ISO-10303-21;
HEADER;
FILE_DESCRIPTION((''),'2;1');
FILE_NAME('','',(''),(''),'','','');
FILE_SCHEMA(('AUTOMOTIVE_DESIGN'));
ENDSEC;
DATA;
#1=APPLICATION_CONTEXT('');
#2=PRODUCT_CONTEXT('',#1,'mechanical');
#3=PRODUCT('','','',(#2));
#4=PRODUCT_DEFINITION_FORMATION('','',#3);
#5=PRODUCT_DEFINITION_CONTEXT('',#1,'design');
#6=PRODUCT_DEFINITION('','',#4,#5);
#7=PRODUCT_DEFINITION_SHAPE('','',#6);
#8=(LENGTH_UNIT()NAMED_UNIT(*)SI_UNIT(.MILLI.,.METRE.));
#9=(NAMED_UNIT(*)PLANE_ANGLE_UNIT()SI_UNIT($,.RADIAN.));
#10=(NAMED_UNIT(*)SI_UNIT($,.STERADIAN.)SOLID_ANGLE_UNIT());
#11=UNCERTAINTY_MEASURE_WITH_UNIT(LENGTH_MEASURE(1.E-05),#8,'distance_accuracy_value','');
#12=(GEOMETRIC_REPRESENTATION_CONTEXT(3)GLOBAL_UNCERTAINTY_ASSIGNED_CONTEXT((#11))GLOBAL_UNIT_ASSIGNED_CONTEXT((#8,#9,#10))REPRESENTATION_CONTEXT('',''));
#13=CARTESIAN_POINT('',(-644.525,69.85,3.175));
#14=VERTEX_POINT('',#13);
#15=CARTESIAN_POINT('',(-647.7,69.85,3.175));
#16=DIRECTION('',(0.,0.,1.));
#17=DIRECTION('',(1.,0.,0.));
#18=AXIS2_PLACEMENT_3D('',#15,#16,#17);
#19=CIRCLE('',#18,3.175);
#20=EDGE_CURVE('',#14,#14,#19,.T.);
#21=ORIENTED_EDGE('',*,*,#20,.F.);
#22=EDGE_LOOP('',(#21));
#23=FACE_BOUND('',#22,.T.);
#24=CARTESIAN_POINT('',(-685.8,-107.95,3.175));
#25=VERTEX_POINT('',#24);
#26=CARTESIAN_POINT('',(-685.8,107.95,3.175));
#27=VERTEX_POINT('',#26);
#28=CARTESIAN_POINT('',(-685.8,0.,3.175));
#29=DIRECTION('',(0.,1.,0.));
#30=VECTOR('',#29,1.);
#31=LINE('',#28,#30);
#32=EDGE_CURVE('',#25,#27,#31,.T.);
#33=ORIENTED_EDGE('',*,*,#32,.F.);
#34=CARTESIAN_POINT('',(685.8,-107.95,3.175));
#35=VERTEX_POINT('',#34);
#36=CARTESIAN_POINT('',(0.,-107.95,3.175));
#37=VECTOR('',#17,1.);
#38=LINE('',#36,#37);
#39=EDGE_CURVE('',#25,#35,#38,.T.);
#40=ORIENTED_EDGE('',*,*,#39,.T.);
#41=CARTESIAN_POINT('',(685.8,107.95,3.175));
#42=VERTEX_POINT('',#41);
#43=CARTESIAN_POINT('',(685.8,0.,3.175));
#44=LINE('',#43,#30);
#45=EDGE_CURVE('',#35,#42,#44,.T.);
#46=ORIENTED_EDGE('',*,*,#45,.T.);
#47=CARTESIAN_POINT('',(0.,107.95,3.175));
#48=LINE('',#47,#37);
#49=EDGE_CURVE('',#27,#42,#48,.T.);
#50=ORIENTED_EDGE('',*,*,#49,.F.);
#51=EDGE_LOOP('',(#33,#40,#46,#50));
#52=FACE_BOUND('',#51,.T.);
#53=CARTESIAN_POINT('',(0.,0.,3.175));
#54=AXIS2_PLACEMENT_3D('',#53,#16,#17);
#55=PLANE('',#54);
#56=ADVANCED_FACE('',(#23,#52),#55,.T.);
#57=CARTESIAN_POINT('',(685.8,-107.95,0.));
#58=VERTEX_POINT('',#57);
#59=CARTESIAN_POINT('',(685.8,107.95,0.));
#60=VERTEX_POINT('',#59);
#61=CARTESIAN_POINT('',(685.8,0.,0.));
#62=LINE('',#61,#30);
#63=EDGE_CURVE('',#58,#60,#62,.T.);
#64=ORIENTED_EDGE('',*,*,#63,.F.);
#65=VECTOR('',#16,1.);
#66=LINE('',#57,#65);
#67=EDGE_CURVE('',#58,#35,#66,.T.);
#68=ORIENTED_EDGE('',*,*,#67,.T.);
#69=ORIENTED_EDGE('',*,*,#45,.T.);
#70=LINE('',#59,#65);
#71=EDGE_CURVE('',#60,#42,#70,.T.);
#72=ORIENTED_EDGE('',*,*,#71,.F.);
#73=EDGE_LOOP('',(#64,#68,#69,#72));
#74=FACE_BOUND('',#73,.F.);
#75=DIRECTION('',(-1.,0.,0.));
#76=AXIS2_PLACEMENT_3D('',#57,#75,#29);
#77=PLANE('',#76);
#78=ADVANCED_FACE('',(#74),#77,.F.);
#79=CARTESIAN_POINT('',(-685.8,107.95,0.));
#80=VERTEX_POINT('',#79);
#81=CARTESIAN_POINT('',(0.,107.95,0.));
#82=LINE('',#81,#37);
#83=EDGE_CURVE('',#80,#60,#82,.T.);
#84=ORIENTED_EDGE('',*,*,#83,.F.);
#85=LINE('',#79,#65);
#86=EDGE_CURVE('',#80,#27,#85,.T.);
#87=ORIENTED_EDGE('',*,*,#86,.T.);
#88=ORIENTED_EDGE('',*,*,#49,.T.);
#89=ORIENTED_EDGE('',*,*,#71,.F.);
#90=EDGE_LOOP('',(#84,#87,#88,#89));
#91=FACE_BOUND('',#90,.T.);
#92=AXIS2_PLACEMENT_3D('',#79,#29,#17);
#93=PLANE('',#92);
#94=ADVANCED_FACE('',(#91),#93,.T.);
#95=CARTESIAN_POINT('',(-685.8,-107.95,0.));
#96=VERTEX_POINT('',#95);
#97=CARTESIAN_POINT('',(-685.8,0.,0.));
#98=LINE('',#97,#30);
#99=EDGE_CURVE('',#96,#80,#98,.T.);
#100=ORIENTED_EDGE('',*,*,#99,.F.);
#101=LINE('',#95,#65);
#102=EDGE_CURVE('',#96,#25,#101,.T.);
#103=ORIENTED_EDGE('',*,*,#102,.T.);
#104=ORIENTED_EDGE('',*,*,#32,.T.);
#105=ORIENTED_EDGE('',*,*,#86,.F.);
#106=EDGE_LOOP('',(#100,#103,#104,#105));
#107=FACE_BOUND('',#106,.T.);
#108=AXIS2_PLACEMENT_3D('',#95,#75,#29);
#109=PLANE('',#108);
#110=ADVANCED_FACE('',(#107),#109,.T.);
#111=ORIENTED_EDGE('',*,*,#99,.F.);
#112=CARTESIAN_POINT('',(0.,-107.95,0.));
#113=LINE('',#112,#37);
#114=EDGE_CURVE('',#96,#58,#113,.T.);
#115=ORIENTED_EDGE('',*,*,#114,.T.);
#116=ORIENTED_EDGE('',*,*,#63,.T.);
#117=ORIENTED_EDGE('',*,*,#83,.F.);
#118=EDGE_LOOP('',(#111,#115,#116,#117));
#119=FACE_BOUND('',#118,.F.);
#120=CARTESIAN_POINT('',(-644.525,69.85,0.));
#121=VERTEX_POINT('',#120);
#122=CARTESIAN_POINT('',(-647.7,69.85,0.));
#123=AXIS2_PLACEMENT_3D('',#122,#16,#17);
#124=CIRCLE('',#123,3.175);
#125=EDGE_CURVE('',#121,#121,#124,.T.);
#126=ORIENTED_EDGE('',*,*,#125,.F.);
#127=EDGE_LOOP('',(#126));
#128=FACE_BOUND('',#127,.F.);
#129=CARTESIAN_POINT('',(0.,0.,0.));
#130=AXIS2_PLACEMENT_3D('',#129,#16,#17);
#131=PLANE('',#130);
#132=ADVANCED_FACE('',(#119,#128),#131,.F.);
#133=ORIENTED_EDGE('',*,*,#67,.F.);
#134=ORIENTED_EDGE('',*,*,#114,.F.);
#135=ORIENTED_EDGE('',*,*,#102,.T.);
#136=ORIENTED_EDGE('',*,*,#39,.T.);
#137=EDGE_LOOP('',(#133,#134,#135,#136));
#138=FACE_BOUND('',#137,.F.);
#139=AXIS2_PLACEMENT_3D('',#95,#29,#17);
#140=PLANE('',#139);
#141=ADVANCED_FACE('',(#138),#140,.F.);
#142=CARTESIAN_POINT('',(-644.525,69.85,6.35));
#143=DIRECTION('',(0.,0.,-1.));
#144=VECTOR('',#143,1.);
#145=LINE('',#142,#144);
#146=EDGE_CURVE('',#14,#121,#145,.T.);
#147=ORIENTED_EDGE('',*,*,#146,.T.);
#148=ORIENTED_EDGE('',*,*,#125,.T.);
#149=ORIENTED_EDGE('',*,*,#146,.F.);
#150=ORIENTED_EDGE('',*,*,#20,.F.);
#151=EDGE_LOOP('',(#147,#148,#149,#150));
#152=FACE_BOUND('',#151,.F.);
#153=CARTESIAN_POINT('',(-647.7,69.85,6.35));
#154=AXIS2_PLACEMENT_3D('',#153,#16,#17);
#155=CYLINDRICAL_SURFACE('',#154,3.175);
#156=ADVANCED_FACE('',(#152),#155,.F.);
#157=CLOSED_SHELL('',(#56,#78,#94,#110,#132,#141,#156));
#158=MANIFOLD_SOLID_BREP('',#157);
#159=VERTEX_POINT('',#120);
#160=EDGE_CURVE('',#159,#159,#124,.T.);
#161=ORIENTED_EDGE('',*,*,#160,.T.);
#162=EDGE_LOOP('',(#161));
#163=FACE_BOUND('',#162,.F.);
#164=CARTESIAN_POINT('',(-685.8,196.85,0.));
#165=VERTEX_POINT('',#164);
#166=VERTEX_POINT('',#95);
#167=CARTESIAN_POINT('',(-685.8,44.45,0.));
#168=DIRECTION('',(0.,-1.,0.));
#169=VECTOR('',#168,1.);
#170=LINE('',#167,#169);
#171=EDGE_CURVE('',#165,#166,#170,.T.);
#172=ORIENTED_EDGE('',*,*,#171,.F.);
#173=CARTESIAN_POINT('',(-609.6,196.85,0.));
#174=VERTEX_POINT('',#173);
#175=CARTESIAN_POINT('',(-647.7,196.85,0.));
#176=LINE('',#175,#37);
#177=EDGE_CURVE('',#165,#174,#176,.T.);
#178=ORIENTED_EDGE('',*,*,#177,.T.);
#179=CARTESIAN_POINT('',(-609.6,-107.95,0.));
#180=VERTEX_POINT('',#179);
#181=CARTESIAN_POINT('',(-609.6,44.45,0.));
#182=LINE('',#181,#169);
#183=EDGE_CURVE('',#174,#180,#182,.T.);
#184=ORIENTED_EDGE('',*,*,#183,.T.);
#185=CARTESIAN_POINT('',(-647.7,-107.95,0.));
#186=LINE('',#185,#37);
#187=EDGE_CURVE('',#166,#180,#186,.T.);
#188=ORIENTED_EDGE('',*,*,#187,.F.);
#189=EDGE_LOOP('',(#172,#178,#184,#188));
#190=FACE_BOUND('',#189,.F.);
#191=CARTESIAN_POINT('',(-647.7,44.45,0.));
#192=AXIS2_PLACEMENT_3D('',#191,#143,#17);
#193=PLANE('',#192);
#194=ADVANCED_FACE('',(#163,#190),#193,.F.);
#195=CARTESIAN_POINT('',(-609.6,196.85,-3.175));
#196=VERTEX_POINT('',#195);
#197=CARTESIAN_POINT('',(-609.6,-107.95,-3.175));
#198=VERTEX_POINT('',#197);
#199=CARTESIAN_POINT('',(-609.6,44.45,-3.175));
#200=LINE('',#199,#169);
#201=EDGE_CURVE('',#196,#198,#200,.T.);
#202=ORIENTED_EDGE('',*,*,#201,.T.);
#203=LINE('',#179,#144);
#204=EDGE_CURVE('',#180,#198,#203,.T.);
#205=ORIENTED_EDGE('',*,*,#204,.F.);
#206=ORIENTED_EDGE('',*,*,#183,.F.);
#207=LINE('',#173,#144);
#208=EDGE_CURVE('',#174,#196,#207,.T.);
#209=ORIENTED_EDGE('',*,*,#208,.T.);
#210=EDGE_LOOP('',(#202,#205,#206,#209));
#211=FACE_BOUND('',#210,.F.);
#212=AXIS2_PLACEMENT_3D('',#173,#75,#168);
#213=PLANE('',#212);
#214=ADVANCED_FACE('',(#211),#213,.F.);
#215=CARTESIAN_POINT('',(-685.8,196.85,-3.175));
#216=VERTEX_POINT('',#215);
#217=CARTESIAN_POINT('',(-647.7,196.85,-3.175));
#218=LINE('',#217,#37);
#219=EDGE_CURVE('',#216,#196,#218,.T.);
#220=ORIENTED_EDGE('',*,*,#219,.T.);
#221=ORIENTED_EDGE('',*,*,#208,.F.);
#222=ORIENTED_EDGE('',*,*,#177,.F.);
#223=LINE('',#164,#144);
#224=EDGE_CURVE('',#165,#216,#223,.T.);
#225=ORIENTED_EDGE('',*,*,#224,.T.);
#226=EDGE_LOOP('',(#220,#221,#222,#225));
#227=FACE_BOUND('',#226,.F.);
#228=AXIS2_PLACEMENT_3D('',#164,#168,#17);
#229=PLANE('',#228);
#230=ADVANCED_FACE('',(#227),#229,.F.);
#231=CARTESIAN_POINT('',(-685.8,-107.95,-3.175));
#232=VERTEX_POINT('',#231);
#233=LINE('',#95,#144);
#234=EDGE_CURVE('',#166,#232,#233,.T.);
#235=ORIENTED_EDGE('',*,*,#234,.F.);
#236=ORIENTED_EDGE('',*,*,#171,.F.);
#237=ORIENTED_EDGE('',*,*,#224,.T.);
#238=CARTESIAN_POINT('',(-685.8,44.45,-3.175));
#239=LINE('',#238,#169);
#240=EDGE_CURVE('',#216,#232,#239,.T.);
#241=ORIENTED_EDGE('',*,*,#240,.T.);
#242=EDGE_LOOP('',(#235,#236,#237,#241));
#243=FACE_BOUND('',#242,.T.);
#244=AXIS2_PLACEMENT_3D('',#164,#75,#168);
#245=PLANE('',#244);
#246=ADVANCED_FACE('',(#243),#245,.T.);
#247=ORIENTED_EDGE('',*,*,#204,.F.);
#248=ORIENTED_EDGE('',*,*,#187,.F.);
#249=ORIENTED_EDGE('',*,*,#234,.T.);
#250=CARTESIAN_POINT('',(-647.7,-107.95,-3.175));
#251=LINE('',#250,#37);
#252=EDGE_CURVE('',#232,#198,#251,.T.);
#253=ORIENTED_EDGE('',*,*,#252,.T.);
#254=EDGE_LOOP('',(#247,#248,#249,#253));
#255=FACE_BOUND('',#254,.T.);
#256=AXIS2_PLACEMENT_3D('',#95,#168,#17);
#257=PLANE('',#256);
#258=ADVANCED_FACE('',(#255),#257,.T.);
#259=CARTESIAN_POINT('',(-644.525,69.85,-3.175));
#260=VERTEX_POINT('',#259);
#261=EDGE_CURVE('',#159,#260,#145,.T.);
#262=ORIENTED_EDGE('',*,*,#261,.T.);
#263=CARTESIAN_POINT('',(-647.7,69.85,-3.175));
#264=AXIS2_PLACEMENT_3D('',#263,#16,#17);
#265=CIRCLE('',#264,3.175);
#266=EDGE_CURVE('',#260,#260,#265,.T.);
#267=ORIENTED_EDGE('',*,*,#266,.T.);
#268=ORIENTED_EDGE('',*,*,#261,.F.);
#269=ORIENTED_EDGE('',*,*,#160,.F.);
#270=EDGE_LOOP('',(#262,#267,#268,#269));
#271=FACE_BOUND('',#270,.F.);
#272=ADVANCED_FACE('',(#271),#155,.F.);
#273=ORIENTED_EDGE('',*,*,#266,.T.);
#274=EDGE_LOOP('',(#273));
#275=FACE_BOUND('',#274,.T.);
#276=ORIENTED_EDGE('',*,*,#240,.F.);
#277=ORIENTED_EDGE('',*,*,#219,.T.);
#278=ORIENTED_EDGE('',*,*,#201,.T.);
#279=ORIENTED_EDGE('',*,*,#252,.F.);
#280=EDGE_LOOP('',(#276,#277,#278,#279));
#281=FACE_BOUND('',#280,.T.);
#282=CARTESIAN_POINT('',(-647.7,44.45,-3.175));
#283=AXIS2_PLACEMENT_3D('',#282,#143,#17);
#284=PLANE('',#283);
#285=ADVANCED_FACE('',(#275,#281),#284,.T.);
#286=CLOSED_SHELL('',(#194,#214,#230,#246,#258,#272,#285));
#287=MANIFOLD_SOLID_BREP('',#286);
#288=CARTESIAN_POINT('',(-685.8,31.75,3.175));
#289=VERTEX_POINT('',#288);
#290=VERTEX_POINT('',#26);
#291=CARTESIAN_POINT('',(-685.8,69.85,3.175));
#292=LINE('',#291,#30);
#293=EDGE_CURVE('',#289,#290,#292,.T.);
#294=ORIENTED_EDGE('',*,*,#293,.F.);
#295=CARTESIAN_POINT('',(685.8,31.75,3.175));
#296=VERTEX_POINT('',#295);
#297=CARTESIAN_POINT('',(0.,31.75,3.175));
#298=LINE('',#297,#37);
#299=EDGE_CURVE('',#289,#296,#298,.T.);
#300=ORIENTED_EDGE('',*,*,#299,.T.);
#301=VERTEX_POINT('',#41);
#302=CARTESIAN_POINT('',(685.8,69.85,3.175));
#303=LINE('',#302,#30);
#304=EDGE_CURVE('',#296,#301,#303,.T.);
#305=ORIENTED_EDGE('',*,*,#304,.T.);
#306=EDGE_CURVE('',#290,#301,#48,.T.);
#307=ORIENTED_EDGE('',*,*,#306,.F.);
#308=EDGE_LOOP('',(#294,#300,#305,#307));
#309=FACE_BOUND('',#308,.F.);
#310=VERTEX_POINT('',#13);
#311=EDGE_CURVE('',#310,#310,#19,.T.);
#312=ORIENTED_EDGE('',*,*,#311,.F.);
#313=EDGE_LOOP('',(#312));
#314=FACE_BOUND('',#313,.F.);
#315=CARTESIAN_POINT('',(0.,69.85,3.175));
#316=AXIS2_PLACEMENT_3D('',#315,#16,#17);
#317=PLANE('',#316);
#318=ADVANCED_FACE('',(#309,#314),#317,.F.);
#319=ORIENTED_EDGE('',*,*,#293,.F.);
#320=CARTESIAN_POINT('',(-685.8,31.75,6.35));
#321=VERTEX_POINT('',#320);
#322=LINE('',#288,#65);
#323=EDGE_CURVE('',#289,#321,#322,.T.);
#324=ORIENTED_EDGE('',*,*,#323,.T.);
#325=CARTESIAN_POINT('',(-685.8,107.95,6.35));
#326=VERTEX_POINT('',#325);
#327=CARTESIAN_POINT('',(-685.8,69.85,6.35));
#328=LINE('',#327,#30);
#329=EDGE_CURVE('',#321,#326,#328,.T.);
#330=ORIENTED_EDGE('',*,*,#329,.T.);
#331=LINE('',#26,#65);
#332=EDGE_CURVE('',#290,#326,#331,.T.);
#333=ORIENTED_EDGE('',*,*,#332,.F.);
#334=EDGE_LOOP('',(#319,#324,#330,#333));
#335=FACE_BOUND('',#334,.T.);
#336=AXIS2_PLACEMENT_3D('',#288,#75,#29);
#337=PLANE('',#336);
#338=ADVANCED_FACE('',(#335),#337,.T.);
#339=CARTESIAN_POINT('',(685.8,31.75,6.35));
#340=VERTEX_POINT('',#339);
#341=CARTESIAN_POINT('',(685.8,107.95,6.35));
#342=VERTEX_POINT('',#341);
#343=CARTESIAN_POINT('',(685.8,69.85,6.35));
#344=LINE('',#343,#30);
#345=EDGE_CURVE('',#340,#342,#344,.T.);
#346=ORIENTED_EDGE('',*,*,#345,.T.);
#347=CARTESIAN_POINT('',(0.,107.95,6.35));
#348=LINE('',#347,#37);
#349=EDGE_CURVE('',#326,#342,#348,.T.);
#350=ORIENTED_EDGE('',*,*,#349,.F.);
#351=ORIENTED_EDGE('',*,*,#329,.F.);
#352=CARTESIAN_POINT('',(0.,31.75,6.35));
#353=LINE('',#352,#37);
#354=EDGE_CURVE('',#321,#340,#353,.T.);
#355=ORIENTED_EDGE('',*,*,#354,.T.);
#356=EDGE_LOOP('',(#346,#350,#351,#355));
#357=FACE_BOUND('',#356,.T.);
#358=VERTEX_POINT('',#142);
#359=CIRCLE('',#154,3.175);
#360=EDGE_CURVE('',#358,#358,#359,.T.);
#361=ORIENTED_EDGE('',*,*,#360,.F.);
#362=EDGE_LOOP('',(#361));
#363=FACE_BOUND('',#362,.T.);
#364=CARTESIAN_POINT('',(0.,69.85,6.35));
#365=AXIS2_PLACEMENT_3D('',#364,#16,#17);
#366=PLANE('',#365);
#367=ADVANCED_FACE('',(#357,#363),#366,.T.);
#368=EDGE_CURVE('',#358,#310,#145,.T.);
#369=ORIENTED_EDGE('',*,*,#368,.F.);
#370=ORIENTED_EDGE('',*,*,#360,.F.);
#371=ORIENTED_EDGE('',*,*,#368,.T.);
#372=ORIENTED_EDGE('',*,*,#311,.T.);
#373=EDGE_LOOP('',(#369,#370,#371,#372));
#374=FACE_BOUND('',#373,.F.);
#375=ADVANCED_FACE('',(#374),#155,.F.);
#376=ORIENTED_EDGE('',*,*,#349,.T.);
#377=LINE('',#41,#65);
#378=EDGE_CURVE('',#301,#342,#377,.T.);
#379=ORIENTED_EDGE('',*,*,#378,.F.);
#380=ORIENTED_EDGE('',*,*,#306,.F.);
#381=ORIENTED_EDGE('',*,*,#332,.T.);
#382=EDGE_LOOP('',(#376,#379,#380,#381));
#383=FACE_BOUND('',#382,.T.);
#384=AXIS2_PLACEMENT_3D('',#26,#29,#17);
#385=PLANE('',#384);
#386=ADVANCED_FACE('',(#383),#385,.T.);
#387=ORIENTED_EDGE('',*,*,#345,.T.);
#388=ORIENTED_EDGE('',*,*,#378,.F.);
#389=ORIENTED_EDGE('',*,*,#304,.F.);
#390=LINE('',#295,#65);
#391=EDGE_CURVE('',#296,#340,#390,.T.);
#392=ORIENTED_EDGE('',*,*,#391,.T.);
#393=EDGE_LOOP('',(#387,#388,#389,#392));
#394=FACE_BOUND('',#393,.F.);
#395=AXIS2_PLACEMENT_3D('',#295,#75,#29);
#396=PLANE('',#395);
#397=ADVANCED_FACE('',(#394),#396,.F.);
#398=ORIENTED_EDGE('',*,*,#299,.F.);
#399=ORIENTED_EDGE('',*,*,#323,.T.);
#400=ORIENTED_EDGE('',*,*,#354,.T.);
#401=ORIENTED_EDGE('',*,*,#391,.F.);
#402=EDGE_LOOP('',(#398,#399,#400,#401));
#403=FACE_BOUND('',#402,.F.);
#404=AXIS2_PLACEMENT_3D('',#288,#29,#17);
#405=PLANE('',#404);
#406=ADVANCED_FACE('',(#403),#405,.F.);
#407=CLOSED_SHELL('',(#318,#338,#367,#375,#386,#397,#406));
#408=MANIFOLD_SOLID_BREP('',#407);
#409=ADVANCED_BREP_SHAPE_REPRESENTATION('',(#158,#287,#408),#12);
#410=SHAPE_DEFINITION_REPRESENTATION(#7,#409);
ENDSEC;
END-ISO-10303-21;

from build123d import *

# Parameters (mm, degrees)
F0_W     = 1371.6
F0_H     = 215.9
F1_DEPTH = 3.175
F2_W     = 1371.6
F2_H     = 76.2
F3_DEPTH = 3.175
F4_W     = 76.2
F4_H     = 304.8
F5_DEPTH = 3.175
F6_R     = 3.175
F8_DEPTH = 9.526


with BuildPart() as f1:
    # F0 (on Top) → F1 (new body)
    with BuildSketch(Plane.XY):
        Rectangle(F0_W, F0_H)
    extrude(amount=F1_DEPTH)


with BuildPart() as f3:
    # F2 (on face) → F3 (new body)
    with BuildSketch(Plane.XY.offset(3.175)):
        with Locations((0, 69.85)):
            Rectangle(F2_W, F2_H)
    extrude(amount=F3_DEPTH)


with BuildPart() as f5:
    # F4 (on face) → F5 (new body)
    with BuildSketch(Plane(origin=(0, 0, 0), x_dir=(1, 0, 0), z_dir=(0, 0, -1))):
        with Locations((-647.7, -44.45)):
            Rectangle(F4_W, F4_H)
    extrude(amount=F5_DEPTH)


with BuildPart() as f8_tool:
    # F6 (on face) → F8 (new body, through all)
    with BuildSketch(Plane.XY.offset(6.35)):
        with Locations((-647.7, 69.85)):
            Circle(F6_R)
    extrude(amount=-F8_DEPTH)


with BuildPart() as f1_1:
    add(f1.part)

    # F8: cut by f8_tool
    add(f8_tool.part, mode=Mode.SUBTRACT)


with BuildPart() as f3_1:
    add(f3.part)

    # F8: cut by f8_tool
    add(f8_tool.part, mode=Mode.SUBTRACT)


with BuildPart() as f5_1:
    add(f5.part)

    # F8: cut by f8_tool
    add(f8_tool.part, mode=Mode.SUBTRACT)


solid = Compound([f1_1.part, f3_1.part, f5_1.part])
